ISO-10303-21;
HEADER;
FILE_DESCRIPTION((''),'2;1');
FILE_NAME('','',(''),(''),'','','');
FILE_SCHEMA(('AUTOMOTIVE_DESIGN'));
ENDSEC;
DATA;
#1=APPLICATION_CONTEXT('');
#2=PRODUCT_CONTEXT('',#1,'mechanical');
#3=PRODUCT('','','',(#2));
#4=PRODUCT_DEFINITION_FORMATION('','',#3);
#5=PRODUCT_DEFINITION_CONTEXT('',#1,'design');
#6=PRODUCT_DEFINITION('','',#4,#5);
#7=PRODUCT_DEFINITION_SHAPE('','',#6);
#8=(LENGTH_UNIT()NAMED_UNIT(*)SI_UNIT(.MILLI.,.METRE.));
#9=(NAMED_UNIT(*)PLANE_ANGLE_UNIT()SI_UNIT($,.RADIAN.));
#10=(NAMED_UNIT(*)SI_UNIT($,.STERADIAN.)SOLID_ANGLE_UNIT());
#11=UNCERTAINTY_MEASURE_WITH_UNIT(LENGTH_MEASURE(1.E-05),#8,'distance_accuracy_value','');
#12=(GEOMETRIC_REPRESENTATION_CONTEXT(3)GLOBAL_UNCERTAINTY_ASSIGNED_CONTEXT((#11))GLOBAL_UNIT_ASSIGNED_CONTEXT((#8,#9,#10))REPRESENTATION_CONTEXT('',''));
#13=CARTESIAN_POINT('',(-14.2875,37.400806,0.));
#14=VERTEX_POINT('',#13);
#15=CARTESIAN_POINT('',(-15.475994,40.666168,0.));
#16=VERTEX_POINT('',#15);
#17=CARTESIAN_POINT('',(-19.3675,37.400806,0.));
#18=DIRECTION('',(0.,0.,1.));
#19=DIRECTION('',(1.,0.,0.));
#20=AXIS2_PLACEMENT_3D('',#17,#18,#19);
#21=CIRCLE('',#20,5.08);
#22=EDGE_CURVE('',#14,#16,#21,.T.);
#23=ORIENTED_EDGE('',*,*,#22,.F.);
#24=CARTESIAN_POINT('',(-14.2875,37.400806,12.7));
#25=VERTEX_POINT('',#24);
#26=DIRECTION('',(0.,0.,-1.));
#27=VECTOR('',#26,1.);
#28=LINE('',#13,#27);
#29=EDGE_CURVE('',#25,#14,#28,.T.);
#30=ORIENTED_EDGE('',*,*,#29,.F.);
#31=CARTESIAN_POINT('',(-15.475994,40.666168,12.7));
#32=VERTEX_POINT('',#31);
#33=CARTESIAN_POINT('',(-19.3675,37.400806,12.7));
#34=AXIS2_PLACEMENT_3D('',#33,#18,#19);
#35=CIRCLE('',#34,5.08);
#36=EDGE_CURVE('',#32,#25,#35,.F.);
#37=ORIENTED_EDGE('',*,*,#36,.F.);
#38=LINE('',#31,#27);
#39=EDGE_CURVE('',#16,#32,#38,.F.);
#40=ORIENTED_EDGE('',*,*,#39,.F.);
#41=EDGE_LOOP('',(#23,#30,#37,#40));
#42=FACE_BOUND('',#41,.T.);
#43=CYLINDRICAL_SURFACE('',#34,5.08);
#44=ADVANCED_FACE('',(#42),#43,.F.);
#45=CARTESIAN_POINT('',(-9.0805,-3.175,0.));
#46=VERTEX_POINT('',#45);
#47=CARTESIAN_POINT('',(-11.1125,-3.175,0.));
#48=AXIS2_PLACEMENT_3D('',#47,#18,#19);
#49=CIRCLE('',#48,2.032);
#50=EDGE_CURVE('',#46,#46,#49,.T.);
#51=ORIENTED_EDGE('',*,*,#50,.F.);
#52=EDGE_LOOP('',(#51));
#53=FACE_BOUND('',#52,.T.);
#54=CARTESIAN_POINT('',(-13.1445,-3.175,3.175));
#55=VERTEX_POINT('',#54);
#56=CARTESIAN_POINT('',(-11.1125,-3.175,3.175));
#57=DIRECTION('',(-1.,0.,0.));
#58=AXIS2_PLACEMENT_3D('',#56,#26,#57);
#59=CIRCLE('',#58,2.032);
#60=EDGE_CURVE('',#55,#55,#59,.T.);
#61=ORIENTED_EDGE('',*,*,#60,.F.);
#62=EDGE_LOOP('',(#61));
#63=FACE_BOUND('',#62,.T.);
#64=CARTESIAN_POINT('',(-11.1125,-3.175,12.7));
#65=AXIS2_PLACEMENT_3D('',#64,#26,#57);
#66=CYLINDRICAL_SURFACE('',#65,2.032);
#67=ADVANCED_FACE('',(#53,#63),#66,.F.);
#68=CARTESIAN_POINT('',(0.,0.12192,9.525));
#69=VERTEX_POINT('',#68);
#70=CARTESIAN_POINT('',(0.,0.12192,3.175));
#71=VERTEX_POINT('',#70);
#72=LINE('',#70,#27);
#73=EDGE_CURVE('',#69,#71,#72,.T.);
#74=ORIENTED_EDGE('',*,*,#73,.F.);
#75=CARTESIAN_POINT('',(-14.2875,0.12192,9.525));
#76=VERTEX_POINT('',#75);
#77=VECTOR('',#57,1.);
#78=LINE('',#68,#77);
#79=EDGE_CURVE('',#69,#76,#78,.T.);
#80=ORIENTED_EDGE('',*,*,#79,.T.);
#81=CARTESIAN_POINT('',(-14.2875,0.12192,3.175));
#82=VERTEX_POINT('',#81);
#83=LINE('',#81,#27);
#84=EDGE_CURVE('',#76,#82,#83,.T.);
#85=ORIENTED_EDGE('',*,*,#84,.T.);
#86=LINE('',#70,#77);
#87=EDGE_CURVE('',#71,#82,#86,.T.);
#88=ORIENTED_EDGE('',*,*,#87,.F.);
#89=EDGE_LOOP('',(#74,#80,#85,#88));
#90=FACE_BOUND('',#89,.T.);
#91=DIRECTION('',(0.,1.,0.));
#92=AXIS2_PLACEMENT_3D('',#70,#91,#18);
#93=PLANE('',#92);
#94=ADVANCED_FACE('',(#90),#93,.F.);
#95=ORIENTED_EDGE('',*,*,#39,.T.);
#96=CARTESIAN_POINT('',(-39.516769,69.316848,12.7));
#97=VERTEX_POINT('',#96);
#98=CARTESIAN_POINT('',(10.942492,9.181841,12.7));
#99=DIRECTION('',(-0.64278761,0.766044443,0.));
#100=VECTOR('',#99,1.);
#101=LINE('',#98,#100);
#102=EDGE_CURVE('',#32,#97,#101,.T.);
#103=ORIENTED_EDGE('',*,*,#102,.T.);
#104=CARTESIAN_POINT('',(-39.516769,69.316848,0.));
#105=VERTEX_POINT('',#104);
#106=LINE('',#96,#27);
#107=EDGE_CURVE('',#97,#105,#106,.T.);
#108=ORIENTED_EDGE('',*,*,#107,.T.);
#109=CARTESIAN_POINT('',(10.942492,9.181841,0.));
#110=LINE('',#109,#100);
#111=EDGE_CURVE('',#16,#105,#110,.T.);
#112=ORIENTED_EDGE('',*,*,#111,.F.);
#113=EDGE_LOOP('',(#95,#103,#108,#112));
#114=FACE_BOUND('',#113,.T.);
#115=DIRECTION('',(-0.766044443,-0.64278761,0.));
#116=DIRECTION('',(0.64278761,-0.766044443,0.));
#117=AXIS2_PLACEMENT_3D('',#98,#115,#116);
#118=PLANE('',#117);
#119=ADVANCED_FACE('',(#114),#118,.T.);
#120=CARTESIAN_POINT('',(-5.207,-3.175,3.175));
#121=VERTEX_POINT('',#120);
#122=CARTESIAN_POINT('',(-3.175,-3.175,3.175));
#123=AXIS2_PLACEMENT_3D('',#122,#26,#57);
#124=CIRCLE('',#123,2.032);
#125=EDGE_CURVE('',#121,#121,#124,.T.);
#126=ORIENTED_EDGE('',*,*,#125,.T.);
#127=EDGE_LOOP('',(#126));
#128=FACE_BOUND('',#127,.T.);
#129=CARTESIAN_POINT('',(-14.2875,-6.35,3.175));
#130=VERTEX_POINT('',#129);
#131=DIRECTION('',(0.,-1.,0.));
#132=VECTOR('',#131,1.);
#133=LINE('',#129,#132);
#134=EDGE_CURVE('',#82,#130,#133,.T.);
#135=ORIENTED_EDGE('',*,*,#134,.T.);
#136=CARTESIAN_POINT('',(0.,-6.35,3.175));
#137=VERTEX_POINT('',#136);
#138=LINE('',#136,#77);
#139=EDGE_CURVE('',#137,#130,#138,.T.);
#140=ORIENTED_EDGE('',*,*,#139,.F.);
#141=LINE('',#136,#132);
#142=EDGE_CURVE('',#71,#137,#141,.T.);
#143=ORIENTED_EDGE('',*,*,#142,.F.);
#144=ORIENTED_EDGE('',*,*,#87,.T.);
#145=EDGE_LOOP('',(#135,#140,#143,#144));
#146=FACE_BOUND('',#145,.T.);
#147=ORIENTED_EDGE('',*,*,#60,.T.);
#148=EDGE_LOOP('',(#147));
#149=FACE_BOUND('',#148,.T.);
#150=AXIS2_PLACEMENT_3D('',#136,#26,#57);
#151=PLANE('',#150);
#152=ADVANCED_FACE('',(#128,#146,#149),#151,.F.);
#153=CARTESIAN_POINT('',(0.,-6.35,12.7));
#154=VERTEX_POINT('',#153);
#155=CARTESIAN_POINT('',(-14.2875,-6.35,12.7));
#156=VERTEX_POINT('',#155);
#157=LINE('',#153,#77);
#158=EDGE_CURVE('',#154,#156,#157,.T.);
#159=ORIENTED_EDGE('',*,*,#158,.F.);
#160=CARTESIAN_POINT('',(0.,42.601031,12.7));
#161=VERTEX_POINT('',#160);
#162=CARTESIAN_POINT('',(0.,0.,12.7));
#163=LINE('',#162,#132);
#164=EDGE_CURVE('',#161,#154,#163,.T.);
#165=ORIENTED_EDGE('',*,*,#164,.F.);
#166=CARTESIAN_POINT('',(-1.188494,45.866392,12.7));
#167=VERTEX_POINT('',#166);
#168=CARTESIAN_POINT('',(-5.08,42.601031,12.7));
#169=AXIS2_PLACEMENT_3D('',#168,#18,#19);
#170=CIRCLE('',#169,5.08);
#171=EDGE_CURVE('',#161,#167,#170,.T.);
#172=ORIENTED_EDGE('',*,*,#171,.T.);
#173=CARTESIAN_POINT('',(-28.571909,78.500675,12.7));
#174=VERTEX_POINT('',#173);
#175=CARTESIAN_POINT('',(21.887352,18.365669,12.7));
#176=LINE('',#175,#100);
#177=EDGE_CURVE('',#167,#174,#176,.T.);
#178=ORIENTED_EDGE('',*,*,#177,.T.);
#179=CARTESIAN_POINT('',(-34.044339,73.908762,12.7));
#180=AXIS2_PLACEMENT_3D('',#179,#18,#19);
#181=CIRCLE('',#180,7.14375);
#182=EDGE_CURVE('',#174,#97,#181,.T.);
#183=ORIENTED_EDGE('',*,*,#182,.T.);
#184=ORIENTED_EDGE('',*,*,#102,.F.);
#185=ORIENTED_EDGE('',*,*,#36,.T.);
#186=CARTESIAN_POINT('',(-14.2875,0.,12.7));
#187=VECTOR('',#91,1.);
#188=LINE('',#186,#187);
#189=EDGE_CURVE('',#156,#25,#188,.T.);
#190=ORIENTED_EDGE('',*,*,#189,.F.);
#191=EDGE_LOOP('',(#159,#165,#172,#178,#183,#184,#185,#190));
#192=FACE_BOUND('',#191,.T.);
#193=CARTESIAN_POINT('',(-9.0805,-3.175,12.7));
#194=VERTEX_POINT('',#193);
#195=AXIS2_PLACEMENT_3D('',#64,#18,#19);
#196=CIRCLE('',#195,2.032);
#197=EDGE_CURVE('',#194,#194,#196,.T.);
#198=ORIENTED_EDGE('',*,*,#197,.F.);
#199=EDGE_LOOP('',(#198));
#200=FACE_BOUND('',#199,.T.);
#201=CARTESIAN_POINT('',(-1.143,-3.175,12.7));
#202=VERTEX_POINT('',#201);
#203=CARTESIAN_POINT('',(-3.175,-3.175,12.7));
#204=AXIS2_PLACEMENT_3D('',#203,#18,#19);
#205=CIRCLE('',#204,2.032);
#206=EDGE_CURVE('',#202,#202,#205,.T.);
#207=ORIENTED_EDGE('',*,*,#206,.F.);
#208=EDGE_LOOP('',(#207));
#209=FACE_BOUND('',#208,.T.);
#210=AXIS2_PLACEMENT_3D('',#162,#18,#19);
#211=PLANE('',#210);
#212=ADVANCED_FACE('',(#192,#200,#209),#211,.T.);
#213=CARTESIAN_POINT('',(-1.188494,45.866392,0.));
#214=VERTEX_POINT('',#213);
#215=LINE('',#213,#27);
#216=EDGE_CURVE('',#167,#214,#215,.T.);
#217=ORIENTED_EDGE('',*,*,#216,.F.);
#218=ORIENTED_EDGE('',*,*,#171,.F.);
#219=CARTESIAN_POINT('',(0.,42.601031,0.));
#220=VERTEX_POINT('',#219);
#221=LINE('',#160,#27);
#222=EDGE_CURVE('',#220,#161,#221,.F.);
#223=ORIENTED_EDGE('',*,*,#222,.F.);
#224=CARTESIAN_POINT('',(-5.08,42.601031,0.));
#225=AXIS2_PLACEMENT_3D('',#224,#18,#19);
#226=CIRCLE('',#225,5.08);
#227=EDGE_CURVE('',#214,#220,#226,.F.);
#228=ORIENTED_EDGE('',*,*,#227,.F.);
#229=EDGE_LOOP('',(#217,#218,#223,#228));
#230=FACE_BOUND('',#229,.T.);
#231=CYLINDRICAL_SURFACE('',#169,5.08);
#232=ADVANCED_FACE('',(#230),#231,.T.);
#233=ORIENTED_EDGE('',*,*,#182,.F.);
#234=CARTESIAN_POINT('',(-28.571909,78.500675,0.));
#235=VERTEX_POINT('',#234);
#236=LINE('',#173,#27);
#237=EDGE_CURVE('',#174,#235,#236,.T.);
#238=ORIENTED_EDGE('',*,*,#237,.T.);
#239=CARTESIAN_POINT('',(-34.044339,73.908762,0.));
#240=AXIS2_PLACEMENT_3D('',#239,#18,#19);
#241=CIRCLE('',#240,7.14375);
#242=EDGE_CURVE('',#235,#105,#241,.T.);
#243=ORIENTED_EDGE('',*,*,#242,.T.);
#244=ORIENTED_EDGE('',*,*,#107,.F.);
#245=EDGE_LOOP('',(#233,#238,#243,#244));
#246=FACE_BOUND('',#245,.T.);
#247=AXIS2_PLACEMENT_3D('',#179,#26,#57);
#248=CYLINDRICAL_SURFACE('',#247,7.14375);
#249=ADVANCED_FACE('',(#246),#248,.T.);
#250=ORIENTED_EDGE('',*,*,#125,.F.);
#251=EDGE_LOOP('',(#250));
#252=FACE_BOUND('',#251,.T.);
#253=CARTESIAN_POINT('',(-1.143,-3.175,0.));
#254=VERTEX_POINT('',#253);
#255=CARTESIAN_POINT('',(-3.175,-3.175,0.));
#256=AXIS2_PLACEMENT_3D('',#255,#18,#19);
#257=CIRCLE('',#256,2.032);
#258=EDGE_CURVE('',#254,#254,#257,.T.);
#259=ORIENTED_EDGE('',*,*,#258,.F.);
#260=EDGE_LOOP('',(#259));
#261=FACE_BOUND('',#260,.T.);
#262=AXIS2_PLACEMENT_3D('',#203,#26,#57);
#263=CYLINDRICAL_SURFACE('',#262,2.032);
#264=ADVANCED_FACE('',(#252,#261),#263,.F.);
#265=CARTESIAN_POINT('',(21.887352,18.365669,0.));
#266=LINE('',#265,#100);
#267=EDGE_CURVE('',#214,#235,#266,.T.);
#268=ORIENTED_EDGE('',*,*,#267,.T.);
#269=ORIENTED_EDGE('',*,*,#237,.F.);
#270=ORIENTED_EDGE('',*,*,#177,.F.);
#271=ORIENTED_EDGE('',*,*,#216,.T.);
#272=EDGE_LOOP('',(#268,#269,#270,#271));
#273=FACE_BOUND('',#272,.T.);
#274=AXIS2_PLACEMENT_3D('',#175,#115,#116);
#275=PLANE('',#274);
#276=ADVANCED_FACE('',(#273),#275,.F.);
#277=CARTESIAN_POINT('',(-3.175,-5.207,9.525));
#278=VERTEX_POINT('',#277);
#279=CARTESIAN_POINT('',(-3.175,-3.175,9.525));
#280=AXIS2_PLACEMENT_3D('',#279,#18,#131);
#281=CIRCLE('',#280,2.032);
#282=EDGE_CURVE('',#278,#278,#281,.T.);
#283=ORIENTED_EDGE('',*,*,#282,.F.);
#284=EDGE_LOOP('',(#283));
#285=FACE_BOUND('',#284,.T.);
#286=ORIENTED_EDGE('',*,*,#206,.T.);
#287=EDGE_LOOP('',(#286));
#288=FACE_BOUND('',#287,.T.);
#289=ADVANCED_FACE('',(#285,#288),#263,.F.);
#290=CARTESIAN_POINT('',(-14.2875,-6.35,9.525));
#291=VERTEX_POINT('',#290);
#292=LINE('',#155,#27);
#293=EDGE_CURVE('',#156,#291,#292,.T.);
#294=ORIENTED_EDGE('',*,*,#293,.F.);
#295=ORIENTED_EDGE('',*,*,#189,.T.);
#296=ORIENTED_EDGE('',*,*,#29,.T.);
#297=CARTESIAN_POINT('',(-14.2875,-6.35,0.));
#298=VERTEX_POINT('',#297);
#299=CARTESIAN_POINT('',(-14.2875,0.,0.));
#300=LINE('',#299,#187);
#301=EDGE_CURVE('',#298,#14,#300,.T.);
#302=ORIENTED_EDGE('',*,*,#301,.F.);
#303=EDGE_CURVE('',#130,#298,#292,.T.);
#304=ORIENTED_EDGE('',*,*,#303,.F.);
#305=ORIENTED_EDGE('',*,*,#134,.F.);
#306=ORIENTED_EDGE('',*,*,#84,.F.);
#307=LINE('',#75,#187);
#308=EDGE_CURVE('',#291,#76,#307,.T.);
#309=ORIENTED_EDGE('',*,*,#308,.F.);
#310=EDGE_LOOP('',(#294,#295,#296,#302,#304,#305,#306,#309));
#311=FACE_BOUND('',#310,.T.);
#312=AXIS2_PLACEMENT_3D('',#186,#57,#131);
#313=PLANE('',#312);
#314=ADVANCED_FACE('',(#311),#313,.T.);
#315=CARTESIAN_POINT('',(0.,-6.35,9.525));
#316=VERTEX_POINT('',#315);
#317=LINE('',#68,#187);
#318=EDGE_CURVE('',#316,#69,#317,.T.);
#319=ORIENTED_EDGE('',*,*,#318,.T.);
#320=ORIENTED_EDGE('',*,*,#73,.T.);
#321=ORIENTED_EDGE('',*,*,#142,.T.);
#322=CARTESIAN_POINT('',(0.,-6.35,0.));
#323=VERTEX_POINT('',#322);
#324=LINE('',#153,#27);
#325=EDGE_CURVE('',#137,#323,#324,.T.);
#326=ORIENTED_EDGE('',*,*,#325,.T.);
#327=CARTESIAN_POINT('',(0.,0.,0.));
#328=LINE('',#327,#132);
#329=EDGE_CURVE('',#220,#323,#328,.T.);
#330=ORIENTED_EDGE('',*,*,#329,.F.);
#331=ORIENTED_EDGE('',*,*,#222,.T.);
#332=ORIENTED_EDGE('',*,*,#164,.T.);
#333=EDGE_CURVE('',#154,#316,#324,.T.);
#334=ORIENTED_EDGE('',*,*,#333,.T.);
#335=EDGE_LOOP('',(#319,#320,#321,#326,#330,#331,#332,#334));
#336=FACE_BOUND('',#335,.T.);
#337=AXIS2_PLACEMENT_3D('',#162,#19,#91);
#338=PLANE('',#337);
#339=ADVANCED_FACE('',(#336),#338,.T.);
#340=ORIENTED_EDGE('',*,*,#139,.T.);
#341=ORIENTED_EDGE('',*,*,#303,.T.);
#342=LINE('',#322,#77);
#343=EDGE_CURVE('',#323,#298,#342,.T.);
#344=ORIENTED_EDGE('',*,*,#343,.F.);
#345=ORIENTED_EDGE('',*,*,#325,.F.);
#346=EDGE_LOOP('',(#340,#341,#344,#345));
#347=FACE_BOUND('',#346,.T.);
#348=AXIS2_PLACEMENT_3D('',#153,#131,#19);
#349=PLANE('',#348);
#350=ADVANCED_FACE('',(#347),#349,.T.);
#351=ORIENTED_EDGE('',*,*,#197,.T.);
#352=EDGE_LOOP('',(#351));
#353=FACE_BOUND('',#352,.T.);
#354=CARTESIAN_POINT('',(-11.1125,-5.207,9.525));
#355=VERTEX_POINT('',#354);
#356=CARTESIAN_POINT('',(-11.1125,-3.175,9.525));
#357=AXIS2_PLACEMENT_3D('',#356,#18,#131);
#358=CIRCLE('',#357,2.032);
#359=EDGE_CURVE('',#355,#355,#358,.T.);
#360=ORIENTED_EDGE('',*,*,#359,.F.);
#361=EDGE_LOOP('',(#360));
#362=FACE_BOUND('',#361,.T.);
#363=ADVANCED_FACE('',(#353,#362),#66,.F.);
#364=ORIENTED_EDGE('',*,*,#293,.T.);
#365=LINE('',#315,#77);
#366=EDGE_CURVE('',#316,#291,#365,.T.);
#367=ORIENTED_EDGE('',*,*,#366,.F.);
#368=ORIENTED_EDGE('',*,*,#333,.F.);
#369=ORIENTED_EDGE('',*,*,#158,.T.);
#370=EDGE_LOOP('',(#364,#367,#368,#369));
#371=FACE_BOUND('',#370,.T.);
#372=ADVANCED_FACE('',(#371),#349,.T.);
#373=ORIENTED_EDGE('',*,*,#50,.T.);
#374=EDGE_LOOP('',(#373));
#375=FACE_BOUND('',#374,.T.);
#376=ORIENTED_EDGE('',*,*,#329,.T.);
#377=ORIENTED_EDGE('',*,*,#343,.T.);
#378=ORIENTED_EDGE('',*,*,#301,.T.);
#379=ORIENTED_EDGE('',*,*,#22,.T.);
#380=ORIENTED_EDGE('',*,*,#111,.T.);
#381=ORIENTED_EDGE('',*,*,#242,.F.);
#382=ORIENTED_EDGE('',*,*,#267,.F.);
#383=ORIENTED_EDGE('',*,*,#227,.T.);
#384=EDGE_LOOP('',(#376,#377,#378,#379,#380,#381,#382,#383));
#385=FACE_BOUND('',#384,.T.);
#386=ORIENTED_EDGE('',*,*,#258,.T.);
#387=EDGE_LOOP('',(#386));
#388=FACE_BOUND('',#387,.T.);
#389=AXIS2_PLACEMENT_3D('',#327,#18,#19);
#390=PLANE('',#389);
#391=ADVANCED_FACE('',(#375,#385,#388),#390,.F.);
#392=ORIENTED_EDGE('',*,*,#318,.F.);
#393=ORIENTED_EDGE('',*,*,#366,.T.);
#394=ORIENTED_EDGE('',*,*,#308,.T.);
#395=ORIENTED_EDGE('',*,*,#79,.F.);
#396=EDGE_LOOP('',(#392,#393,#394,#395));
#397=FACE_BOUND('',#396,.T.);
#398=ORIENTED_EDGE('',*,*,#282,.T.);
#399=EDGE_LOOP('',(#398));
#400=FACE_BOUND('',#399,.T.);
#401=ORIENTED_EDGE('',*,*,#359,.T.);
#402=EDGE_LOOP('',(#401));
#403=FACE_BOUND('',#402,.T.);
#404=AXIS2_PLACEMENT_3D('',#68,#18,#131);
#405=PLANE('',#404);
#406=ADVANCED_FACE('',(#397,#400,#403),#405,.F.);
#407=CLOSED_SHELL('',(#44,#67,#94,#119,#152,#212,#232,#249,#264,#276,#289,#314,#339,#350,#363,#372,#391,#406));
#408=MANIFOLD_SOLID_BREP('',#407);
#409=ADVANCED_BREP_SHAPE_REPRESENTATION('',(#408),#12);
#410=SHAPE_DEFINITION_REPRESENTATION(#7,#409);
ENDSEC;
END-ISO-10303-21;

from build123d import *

# Parameters (mm, degrees)
SKETCH4_R           = 2.032
BOSS_EXTRUDE1_DEPTH = 12.7
SKETCH5_W           = 6.35
SKETCH5_H           = 6.47192
CUT_EXTRUDE1_DEPTH  = 15.2875
FILLET1_R           = 5.08


with BuildPart() as part:
    # Sketch4 → Boss-Extrude1 (new body)
    with BuildSketch(Plane.XY):
        with BuildLine():
            Line((0, -6.35), (-14.2875, -6.35))
            Line((-14.2875, -6.35), (-14.2875, 0))
            Line((-14.2875, 0), (-14.2875, 39.249775278))
            Line((-14.2875, 39.249775278), (-39.516769232, 69.316847523))
            ThreePointArc((-39.516769232, 69.316847523), (-38.636253228, 79.3811915), (-28.571909251, 78.500675497))
            Line((-28.571909251, 78.500675497), (0, 44.45))
            Line((0, 44.45), (0, 0))
            Line((0, 0), (0, -6.35))
        make_face()
        with Locations((-11.1125, -3.175)):
            Circle(SKETCH4_R, mode=Mode.SUBTRACT)
        with Locations((-3.175, -3.175)):
            Circle(SKETCH4_R, mode=Mode.SUBTRACT)
    extrude(amount=BOSS_EXTRUDE1_DEPTH)

    # Sketch5 → Cut-Extrude1 (cut, through all)
    with BuildSketch(Plane.ZY.offset(14.2875)):
        with Locations((6.35, -3.11404)):
            Rectangle(SKETCH5_W, SKETCH5_H)
    extrude(amount=-CUT_EXTRUDE1_DEPTH, mode=Mode.SUBTRACT)

    # Fillet1
    fillet1_edges = [part.edges().sort_by_distance(p)[0] for p in [
        (0, 44.45, 6.35),
        (-14.2875, 39.249775278, 6.35),
    ]]
    fillet(fillet1_edges, radius=FILLET1_R)


solid = part.part
